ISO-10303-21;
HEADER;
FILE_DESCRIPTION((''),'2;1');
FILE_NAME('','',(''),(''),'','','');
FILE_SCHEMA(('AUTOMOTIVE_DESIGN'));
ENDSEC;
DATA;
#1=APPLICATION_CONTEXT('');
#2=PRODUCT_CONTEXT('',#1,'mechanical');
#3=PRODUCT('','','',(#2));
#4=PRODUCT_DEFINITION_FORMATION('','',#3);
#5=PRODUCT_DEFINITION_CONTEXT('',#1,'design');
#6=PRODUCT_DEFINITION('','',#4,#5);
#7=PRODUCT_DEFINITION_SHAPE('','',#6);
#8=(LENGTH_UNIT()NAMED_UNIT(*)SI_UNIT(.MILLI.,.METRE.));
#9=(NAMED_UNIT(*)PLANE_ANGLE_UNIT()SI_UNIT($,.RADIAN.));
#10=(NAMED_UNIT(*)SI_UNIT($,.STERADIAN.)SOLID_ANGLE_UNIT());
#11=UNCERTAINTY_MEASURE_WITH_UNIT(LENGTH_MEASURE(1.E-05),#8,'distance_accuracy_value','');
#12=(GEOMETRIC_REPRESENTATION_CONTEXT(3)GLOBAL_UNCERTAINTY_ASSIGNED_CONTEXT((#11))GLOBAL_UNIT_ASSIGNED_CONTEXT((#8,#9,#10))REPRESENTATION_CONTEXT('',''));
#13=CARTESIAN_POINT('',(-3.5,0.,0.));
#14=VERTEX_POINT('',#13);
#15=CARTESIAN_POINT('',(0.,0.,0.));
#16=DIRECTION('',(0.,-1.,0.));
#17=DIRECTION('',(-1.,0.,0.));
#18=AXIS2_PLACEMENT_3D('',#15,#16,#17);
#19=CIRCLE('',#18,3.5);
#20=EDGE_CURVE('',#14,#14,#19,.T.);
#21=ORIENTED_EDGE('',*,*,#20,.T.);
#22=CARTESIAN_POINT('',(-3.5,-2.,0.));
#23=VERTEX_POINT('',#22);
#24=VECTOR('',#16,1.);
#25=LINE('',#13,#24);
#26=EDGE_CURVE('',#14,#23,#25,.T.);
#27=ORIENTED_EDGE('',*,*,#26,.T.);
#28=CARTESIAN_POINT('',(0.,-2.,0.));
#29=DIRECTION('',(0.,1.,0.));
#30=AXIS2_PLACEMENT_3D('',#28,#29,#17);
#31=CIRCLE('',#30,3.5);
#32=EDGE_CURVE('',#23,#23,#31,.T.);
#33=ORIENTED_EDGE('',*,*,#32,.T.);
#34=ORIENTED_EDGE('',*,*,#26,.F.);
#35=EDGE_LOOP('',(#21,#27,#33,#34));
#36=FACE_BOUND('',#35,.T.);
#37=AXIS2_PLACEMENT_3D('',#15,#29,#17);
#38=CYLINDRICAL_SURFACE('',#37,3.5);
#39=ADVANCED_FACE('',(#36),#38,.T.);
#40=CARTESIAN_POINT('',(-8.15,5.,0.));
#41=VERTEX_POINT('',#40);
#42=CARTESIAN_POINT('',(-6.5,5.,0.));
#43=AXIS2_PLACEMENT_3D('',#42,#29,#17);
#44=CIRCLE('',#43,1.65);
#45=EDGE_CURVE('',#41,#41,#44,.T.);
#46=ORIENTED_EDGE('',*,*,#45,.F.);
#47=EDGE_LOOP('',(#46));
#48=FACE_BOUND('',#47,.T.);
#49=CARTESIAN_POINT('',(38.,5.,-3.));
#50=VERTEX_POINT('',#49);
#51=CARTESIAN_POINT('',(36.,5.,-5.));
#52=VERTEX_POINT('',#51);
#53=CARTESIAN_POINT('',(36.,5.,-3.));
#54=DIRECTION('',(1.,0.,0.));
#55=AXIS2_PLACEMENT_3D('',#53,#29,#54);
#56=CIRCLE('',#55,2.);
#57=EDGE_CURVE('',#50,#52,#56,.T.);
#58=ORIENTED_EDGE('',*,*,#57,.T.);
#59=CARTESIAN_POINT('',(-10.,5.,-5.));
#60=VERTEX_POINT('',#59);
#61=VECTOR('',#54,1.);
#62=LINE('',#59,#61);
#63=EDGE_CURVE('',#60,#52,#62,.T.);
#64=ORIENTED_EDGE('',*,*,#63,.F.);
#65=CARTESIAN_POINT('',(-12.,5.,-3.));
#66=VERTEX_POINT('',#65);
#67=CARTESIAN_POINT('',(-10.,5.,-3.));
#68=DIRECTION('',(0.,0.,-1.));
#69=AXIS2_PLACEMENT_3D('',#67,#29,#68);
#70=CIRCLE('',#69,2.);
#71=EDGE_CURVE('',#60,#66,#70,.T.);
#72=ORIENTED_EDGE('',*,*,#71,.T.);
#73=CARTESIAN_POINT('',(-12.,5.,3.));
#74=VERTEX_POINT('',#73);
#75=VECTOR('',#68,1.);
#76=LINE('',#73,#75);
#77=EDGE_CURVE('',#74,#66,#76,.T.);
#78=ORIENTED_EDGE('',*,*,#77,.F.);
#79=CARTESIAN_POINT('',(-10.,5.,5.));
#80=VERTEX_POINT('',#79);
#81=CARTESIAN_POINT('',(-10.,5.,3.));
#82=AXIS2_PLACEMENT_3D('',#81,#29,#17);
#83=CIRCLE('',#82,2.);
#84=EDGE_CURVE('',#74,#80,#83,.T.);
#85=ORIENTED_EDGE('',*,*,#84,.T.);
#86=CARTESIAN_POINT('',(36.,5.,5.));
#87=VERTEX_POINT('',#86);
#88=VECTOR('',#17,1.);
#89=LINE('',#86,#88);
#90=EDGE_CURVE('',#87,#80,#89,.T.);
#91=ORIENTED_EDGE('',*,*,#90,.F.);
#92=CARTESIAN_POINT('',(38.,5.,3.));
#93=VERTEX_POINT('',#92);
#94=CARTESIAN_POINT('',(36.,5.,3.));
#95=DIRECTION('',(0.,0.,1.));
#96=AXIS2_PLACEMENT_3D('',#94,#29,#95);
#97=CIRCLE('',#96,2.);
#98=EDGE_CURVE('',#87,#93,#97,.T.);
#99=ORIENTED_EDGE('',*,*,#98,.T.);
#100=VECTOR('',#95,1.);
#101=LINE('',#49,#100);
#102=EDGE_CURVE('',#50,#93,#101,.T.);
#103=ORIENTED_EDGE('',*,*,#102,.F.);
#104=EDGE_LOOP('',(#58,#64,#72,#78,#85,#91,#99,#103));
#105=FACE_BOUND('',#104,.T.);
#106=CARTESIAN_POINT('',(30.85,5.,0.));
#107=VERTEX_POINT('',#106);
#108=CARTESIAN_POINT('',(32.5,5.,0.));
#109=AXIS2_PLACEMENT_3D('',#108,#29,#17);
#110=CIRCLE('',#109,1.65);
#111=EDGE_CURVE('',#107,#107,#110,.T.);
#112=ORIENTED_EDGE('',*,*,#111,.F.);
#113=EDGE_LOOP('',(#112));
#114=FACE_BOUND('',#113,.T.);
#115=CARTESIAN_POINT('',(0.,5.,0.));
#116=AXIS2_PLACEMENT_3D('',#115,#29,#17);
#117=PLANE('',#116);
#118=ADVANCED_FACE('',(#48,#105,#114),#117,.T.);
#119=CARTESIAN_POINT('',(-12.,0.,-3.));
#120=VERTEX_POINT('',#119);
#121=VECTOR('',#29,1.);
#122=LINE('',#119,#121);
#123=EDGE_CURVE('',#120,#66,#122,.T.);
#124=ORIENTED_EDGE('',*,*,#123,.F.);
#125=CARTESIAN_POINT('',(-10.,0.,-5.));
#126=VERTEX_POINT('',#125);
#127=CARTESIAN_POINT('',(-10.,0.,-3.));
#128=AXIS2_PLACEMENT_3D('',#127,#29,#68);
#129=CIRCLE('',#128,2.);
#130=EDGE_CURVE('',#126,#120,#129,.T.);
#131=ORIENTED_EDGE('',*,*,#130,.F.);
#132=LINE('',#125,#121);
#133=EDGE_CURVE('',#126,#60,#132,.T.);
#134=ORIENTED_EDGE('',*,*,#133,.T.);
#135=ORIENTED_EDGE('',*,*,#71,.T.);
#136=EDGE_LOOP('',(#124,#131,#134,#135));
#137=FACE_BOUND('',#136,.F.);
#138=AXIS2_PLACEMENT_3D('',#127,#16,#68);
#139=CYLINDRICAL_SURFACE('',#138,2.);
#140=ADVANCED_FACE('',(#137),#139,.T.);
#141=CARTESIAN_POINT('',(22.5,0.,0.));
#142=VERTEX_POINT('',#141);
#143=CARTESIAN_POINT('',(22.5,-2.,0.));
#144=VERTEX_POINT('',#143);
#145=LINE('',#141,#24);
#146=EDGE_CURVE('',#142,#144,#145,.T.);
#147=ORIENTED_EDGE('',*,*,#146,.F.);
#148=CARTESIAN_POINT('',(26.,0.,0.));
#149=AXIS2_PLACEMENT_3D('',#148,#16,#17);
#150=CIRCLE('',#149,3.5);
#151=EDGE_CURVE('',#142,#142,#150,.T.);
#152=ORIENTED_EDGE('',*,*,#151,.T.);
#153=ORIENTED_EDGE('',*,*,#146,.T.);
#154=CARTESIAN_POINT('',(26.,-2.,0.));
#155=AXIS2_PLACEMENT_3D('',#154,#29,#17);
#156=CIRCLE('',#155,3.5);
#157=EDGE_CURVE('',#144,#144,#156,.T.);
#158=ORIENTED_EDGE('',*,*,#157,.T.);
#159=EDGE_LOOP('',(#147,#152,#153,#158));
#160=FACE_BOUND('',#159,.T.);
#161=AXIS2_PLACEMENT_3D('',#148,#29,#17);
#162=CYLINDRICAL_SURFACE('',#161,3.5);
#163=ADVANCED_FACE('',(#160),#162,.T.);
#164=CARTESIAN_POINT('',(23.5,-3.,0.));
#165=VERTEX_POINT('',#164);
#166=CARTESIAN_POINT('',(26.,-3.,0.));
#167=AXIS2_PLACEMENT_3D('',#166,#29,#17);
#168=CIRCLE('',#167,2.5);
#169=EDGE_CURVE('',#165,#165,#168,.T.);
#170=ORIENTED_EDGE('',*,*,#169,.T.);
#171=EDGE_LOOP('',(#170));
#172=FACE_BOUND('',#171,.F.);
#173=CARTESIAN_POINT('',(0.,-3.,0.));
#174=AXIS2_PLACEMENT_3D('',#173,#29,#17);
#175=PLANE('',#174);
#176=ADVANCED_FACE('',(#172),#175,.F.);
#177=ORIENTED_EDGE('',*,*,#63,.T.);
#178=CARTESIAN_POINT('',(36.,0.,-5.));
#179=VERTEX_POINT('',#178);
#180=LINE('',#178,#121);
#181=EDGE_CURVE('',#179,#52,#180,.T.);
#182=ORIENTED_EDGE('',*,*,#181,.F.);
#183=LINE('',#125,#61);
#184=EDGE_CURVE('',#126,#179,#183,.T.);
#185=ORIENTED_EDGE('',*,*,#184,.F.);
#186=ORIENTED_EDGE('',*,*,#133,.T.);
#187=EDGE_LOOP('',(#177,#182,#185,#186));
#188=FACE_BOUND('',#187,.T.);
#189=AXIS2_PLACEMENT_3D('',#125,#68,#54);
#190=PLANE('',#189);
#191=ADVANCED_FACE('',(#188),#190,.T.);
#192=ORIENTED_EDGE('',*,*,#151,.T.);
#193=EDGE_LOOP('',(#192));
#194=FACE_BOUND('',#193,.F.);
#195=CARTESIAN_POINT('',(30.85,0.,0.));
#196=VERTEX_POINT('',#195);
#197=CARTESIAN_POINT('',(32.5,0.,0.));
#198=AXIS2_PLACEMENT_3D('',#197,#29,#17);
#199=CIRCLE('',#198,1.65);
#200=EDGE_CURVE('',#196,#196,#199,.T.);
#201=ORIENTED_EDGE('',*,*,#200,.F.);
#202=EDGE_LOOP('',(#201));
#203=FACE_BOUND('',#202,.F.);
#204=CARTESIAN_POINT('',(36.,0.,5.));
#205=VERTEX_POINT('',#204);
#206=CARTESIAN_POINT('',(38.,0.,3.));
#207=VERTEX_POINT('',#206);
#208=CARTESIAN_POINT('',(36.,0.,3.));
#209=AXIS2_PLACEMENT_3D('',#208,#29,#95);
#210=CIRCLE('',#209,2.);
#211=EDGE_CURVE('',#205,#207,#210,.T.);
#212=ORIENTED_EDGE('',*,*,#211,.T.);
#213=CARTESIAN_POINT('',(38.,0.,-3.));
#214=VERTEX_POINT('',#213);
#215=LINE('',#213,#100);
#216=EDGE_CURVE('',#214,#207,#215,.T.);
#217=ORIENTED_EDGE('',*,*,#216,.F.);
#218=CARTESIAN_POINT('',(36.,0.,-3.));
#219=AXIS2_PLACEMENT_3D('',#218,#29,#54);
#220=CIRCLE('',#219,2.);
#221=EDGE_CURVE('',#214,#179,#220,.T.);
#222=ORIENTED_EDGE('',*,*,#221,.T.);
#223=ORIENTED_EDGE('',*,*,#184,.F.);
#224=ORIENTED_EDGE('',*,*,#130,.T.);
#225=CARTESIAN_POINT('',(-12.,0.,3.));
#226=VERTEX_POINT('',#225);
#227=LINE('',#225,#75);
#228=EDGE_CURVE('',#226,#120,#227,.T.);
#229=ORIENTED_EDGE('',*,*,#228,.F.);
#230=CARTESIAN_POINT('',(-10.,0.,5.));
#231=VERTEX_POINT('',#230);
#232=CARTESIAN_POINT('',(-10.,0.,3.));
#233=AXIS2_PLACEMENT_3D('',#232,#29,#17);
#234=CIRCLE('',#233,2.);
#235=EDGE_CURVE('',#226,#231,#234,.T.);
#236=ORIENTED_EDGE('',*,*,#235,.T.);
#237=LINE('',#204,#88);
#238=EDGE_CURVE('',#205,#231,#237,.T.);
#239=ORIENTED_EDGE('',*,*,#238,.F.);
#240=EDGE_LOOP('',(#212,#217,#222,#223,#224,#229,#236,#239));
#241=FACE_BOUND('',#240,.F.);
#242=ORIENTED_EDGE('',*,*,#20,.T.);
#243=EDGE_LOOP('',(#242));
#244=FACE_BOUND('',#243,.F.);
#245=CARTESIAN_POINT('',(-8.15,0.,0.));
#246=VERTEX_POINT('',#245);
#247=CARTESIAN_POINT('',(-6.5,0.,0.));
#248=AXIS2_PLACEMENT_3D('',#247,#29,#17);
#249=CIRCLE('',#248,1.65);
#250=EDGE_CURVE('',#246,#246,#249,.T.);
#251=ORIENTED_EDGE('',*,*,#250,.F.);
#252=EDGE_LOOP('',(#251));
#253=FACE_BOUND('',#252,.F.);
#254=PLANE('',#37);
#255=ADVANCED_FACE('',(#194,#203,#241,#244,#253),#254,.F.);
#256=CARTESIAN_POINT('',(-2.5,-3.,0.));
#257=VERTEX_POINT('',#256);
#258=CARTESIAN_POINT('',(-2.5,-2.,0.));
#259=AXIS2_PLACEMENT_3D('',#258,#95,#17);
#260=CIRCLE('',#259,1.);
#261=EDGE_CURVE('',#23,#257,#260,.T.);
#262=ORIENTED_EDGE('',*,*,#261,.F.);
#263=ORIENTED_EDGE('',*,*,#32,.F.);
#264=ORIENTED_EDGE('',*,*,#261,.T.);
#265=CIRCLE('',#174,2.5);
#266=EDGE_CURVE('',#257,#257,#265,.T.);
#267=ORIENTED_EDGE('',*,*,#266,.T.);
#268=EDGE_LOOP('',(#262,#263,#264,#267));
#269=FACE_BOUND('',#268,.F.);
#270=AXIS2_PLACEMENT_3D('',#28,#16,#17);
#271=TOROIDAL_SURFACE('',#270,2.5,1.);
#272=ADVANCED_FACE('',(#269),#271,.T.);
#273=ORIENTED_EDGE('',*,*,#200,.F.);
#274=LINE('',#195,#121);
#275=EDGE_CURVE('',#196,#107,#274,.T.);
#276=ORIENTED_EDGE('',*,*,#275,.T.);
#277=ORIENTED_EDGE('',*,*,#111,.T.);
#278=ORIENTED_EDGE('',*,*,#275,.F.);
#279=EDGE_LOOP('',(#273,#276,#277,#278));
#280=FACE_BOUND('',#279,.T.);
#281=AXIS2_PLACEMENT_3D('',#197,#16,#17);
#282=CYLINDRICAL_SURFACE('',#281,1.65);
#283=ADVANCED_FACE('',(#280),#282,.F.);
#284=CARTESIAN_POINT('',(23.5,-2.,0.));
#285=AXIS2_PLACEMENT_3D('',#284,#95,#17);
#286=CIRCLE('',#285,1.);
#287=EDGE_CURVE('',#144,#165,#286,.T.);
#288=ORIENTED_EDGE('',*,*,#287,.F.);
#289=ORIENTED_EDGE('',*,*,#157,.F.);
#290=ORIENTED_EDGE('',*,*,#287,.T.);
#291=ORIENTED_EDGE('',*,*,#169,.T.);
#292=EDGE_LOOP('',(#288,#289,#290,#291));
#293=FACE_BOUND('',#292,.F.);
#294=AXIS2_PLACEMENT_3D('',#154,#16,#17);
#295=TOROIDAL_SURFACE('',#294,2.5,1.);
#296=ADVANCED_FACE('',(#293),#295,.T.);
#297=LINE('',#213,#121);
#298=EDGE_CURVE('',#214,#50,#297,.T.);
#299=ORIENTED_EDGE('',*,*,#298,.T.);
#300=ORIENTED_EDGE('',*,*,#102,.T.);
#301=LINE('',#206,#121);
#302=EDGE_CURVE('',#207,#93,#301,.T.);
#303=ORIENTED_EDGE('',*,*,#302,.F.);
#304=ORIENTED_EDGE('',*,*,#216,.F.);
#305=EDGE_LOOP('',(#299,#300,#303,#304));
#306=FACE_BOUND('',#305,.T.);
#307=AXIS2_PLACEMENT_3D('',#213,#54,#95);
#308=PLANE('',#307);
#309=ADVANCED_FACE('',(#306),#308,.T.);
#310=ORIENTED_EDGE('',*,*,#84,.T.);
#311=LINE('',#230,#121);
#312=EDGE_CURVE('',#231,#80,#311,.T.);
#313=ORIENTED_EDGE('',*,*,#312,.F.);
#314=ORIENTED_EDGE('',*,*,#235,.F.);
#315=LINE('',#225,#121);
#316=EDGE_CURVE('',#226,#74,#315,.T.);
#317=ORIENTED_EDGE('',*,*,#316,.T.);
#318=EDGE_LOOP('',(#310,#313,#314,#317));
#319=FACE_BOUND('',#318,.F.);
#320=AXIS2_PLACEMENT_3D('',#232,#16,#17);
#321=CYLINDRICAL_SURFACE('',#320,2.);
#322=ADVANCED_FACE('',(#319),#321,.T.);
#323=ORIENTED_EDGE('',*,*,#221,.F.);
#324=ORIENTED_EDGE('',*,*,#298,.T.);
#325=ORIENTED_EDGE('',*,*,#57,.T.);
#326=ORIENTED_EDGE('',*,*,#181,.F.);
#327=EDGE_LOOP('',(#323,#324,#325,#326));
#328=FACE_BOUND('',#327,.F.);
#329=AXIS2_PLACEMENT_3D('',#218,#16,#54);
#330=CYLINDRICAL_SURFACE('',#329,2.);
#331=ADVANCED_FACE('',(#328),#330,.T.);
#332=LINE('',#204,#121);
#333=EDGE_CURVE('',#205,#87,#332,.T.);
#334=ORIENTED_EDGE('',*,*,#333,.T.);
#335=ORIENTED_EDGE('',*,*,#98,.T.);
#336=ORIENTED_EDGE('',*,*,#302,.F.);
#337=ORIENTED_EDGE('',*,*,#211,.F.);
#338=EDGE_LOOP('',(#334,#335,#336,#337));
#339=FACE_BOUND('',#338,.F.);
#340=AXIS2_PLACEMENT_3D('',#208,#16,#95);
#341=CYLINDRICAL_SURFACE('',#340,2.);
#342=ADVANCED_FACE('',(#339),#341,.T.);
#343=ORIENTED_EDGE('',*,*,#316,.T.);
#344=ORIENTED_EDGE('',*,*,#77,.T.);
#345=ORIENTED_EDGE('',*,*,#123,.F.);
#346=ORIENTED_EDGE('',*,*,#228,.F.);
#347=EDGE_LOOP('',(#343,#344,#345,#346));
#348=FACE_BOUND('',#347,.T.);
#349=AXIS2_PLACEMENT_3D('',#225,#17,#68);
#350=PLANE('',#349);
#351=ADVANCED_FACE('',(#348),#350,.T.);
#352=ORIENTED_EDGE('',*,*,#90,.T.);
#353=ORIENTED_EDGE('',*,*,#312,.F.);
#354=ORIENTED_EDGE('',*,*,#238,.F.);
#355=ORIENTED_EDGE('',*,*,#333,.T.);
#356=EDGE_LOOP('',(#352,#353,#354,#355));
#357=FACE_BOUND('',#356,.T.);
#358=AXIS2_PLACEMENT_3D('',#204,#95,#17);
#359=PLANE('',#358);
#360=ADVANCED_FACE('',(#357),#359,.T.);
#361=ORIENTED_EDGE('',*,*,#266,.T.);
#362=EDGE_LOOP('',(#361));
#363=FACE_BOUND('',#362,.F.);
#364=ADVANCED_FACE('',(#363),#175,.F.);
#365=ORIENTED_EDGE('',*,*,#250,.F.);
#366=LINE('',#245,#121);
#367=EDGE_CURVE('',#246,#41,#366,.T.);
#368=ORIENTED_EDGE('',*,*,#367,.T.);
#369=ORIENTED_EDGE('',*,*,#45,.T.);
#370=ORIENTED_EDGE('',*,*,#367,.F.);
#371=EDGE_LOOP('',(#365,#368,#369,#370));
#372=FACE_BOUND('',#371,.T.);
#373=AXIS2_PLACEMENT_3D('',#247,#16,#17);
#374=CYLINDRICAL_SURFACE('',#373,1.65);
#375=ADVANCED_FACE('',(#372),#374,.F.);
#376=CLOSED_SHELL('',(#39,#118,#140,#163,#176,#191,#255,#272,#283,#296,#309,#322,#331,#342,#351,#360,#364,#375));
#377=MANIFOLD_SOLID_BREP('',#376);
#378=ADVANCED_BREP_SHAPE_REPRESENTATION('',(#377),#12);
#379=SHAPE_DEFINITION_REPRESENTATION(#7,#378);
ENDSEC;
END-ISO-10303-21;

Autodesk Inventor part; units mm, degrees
ref_plane "YZ Plane" through (0, 0, 0) normal (1, 0, 0) x (0, 1, 0)
ref_plane "XZ Plane" through (0, 0, 0) normal (0, 1, 0) x (-1, 0, 0)
ref_plane "XY Plane" through (0, 0, 0) normal (0, 0, 1) x (1, 0, 0)
sketch "Эскиз1" plane through (0, 0, 0) normal (0, 1, 0) x (-1, 0, 0)
  circle A0 centre (0, 0) radius 3.5
  circle A1 centre (-26, 0) radius 3.5
  line L0 (-3.5, 0) -> (-22.5, 0) construction
  line L1 (0, 0) -> (-26, 0) construction
  circle A2 centre (-32.5, 0) radius 1.65
  circle A3 centre (6.5, 0) radius 1.65
  line L2 (10, -5) -> (-36, -5)
  line L3 (-38, -3) -> (-38, 3)
  line L4 (-36, 5) -> (10, 5)
  line L5 (12, 3) -> (12, -3)
  arc A4 (10, -5) -> (12, -3) centre (10, -3) ccw
  arc A5 (12, 3) -> (10, 5) centre (10, 3) ccw
  arc A6 (-38, -3) -> (-36, -5) centre (-36, -3) ccw
  arc A7 (-36, 5) -> (-38, 3) centre (-36, 3) ccw
  circle A8 centre (-32.5, 0) radius 3.65
  circle A9 centre (6.5, 0) radius 3.65
  point P0 (3.5, 0)
  point P1 (4.85, 0)
  point P2 (-29.5, 0)
  point P3 (-30.85, 0)
  point P4 (-29.5, 0)
  point P5 (-30.85, 0)
  point P6 (-29.5, 0)
  point P7 (-30.85, 0)
  point P8 (-29.5, 0)
  point P9 (-30.85, 0)
  dimension "d4" = 3.3
  dimension "d5" = 3.3
  dimension "d0" = 7
  dimension "d1" = 7
  dimension "d3" = 19
  dimension "d8" = 3
  dimension "d9" = 3
  dimension "d10" = 12
  dimension "d11" = 12
  dimension "d12" = 5
  dimension "d13" = 10
  dimension "d14" = 2
  dimension "d15" = 2
  dimension "d16" = 2
extrude "Выдавливание1" add sketch "Эскиз1" along normal blind 5 contours A0 A9 | A0 A9 | A9 A0 | A1 A8 | A8 A1 | A1 A8 | L2 A6 L3 A7 L4 A5 L5 A4
extrude "Выдавливание2" add sketch "Эскиз1" against normal blind 3 contours A0 A9 | A9 A0 | A1 A8 | A8 A1 picked at (3.0809, 0.424) picked at (-1.3483, -0.2837) picked at (-24.6517, 0.2837) picked at (-29.2672, -0.4241)
fillet "Сопряжение1" radius 1 2 edges at (3.5, -3, 0) (29.5, -3, 0)
properties part number "Conductor_Volume_Encoder"
